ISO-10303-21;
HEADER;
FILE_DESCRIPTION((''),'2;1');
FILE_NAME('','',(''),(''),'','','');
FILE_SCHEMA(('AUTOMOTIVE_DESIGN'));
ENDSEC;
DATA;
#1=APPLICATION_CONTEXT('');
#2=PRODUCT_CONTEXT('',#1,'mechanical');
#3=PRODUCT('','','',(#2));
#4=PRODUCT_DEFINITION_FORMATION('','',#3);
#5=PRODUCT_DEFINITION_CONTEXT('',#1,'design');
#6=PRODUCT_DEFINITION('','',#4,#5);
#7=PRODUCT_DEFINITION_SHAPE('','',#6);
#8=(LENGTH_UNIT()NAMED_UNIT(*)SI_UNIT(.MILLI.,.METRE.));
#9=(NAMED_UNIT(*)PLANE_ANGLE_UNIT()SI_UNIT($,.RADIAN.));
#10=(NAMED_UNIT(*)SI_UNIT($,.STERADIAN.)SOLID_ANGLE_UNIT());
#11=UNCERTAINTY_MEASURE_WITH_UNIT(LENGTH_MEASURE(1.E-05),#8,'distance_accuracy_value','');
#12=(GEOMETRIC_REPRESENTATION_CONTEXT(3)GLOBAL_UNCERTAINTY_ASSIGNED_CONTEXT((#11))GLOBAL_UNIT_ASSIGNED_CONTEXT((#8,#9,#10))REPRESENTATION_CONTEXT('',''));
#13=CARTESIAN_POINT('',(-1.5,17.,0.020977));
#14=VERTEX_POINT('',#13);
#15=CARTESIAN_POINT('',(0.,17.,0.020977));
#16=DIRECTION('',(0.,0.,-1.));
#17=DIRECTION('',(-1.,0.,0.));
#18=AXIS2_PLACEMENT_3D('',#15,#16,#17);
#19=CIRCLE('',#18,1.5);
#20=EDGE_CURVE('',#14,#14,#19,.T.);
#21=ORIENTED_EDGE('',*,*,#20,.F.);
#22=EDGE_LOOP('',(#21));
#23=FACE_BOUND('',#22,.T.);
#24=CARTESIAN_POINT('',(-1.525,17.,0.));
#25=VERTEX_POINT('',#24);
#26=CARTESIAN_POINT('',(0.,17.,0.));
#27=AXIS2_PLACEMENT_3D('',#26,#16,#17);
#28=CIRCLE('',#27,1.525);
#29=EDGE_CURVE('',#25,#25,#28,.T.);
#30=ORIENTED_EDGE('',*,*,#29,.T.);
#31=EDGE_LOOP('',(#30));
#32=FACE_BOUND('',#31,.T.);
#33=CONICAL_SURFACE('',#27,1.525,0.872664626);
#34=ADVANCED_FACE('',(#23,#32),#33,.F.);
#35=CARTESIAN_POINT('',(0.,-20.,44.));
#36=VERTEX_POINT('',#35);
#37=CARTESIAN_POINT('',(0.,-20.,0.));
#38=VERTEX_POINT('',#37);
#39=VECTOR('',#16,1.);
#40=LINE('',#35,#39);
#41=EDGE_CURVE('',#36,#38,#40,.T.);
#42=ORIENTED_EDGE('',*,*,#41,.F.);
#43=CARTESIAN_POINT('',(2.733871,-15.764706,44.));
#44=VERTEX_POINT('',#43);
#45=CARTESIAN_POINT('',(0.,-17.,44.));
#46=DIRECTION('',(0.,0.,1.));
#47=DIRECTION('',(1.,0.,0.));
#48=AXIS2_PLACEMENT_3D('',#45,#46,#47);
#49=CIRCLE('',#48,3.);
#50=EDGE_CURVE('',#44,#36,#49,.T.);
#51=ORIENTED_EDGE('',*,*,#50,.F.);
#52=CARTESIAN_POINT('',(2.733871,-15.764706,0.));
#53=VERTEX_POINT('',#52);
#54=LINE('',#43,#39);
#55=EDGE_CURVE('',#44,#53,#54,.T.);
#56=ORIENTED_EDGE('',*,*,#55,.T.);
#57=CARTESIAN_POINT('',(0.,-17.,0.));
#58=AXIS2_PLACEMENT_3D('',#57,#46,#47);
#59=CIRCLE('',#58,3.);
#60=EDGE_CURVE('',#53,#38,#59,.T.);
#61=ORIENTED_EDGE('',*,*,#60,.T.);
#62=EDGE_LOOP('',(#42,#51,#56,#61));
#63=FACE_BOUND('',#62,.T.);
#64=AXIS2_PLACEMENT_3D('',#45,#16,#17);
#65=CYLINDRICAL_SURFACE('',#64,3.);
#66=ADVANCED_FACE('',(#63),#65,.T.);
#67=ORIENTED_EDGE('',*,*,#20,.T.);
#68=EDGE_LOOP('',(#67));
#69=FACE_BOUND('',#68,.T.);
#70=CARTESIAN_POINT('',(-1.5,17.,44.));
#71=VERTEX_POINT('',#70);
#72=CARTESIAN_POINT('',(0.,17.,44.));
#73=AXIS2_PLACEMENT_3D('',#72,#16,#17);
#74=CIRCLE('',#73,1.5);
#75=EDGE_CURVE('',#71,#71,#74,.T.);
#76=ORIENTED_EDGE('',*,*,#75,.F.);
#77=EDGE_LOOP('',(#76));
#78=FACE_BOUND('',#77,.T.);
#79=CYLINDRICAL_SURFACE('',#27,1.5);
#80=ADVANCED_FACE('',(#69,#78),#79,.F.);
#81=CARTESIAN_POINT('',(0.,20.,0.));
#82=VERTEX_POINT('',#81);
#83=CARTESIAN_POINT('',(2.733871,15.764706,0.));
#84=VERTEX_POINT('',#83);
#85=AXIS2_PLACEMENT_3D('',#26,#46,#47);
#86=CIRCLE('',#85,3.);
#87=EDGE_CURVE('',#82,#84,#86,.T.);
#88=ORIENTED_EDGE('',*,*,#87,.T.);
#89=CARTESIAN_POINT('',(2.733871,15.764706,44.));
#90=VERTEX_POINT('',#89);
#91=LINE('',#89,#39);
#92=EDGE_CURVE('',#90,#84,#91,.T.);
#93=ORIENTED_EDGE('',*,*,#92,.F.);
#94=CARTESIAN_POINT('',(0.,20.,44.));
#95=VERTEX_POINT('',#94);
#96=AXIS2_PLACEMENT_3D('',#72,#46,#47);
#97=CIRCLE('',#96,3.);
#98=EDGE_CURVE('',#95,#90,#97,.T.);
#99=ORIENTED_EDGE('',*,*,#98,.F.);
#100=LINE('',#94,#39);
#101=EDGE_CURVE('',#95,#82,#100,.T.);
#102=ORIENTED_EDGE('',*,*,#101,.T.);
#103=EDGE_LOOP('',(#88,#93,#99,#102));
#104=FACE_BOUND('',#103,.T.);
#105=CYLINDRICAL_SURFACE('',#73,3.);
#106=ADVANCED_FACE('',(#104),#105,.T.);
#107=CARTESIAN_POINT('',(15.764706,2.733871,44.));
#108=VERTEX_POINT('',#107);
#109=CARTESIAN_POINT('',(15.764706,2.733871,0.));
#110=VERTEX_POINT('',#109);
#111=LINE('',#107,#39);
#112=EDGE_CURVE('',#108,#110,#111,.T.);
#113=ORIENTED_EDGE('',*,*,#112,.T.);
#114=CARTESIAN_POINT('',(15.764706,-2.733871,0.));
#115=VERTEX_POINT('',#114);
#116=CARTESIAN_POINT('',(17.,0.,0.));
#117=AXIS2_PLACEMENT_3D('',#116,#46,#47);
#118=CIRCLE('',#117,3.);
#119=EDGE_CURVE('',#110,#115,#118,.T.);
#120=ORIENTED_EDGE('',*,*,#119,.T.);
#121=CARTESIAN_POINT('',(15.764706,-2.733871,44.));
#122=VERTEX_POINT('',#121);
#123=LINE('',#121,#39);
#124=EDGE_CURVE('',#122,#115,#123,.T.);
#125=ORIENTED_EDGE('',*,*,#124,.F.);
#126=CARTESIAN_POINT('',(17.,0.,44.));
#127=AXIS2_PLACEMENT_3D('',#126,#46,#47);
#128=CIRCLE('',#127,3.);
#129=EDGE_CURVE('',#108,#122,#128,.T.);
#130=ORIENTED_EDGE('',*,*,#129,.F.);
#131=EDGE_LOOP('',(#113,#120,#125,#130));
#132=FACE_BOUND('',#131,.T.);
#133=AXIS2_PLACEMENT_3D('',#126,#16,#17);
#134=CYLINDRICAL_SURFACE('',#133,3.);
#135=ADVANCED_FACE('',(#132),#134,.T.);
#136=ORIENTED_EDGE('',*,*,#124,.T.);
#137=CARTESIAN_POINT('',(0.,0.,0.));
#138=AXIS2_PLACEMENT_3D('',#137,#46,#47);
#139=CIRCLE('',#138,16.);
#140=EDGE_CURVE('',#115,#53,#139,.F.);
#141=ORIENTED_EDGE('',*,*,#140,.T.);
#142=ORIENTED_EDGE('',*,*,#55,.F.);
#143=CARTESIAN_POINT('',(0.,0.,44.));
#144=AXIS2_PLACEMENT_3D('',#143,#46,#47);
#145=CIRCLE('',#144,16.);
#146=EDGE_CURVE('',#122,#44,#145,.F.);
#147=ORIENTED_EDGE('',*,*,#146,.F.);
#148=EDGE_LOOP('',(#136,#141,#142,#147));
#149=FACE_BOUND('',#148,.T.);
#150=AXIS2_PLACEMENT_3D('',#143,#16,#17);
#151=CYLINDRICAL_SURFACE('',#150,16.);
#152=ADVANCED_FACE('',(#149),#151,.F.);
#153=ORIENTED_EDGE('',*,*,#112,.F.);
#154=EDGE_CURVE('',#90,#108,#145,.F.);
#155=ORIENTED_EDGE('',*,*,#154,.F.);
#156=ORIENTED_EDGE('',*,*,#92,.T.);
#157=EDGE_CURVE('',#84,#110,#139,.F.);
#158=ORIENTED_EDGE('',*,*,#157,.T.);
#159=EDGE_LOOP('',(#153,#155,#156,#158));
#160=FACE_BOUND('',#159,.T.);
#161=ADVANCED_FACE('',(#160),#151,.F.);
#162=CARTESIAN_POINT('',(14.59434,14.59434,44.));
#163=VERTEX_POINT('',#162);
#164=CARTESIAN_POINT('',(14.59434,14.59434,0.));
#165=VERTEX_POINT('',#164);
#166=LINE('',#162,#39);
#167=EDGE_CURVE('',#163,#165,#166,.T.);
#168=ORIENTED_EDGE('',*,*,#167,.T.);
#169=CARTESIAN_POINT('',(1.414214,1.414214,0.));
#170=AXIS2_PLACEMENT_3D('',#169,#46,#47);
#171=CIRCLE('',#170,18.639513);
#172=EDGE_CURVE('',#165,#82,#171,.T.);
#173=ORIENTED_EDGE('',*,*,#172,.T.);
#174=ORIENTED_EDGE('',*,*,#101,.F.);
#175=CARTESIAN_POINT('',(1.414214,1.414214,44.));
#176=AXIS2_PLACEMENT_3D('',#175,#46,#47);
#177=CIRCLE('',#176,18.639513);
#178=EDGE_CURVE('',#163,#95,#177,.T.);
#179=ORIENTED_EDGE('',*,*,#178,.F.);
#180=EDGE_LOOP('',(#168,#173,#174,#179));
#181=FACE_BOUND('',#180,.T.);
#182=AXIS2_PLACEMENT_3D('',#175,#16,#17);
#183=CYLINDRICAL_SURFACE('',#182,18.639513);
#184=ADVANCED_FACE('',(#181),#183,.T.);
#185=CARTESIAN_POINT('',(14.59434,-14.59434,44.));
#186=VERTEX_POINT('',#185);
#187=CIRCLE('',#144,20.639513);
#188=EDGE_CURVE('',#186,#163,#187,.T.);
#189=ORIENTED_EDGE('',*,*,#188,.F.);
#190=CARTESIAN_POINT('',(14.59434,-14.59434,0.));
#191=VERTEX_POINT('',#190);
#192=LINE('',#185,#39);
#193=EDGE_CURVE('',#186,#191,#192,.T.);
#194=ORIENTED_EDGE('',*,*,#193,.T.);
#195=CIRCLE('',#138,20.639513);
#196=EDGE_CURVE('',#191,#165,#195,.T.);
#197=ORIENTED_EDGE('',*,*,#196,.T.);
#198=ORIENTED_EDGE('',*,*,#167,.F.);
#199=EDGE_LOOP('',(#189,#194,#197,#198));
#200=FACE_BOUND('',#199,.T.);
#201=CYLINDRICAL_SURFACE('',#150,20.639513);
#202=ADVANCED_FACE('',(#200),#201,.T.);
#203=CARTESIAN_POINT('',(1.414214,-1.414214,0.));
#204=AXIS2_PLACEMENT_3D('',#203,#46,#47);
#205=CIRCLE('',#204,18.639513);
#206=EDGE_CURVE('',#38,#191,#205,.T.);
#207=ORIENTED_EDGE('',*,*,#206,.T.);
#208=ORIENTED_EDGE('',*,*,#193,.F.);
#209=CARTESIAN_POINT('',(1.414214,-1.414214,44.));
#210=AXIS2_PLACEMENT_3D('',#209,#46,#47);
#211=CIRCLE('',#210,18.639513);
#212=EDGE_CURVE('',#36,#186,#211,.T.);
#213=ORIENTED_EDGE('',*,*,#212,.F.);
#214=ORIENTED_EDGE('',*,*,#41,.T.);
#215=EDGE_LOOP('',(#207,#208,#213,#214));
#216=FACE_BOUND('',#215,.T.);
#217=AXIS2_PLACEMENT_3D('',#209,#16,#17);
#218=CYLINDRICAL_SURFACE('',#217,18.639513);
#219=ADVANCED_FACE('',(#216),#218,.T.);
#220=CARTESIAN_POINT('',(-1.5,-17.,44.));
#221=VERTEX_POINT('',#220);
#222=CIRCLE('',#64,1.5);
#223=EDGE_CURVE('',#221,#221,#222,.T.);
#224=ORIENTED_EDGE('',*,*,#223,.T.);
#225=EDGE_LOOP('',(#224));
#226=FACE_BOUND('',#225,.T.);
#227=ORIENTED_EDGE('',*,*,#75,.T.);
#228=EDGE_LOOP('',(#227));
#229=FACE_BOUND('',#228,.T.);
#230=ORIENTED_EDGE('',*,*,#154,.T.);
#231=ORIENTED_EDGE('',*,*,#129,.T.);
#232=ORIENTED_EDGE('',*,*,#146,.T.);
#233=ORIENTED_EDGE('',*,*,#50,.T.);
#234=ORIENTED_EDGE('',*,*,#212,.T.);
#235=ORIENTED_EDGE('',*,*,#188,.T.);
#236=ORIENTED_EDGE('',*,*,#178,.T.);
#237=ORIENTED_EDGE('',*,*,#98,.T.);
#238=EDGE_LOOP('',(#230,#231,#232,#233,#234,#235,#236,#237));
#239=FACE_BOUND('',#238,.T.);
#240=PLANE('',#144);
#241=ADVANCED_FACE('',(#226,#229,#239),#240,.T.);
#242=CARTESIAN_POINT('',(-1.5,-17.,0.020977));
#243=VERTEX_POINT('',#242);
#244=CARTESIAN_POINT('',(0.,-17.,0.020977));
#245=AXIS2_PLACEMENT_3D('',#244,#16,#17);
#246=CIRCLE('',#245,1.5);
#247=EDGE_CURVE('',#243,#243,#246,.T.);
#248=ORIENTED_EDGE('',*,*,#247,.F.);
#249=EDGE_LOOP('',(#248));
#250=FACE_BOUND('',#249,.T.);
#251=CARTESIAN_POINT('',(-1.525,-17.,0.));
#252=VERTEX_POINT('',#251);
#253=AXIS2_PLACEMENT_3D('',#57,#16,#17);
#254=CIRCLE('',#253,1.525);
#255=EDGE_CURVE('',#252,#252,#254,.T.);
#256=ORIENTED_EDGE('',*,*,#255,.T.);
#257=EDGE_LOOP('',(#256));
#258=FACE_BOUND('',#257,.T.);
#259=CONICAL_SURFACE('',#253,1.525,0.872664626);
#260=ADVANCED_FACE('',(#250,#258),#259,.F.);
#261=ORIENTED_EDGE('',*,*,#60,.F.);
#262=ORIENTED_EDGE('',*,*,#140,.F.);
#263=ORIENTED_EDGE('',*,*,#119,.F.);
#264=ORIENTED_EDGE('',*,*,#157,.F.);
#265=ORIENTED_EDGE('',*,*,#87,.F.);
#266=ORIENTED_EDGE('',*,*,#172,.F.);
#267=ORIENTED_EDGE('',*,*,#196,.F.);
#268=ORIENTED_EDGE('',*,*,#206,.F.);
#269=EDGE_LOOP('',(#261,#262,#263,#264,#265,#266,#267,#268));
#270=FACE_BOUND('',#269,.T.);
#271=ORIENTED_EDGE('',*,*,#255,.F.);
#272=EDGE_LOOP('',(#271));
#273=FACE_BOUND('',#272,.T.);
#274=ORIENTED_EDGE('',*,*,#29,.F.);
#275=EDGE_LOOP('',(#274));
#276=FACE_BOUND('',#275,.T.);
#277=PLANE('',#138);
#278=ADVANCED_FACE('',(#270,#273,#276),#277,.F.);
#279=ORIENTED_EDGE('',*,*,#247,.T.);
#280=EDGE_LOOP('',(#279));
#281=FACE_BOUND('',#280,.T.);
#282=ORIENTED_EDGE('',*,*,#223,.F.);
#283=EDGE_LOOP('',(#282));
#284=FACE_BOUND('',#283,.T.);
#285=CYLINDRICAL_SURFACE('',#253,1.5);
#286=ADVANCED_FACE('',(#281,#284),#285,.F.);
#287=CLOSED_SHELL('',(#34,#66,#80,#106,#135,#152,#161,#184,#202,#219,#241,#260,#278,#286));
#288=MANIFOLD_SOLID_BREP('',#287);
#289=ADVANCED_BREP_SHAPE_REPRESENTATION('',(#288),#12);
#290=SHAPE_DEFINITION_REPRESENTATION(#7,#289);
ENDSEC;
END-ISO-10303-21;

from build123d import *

# Parameters (mm, degrees)
BOSS_EXTRUDE1_DEPTH             = 44
F_3_0MM_DOWEL_HOLE1_D           = 3
F_3_0MM_DOWEL_HOLE1_CSINK_D     = 3.05
F_3_0MM_DOWEL_HOLE1_CSINK_ANGLE = 100


with BuildPart() as part:
    # Sketch1 → Boss-Extrude1 (new body)
    with BuildSketch(Plane(origin=(0, 0, 0), x_dir=(0, 1, 0), z_dir=(0, 0, 1))):
        with BuildLine():
            ThreePointArc((14.594339842, -14.594339842), (18.893257917, -7.888351803), (20, 0))
            ThreePointArc((20, 0), (15.373021566, 2.520504151), (15.764705882, -2.733870597))
            ThreePointArc((15.764705882, -2.733870597), (11.313708499, -11.313708499), (2.733870597, -15.764705882))
            ThreePointArc((2.733870597, -15.764705882), (0, -14), (-2.733870597, -15.764705882))
            ThreePointArc((-2.733870597, -15.764705882), (-11.313708499, -11.313708499), (-15.764705882, -2.733870597))
            ThreePointArc((-15.764705882, -2.733870597), (-15.373021566, 2.520504151), (-20, 0))
            ThreePointArc((-20, 0), (-18.893257917, -7.888351803), (-14.594339842, -14.594339842))
            ThreePointArc((-14.594339842, -14.594339842), (0, -20.639513339), (14.594339842, -14.594339842))
        make_face()
    extrude(amount=BOSS_EXTRUDE1_DEPTH)

    # Ø3.0mm Dowel Hole1 (through all)
    with Locations(Plane(origin=(0, 0, 0), x_dir=(1, 0, 0), z_dir=(0, 0, -1))):
        with Locations((0, -17), (0, 17)):
            CounterSinkHole(F_3_0MM_DOWEL_HOLE1_D / 2, F_3_0MM_DOWEL_HOLE1_CSINK_D / 2, counter_sink_angle=F_3_0MM_DOWEL_HOLE1_CSINK_ANGLE)


solid = part.part
